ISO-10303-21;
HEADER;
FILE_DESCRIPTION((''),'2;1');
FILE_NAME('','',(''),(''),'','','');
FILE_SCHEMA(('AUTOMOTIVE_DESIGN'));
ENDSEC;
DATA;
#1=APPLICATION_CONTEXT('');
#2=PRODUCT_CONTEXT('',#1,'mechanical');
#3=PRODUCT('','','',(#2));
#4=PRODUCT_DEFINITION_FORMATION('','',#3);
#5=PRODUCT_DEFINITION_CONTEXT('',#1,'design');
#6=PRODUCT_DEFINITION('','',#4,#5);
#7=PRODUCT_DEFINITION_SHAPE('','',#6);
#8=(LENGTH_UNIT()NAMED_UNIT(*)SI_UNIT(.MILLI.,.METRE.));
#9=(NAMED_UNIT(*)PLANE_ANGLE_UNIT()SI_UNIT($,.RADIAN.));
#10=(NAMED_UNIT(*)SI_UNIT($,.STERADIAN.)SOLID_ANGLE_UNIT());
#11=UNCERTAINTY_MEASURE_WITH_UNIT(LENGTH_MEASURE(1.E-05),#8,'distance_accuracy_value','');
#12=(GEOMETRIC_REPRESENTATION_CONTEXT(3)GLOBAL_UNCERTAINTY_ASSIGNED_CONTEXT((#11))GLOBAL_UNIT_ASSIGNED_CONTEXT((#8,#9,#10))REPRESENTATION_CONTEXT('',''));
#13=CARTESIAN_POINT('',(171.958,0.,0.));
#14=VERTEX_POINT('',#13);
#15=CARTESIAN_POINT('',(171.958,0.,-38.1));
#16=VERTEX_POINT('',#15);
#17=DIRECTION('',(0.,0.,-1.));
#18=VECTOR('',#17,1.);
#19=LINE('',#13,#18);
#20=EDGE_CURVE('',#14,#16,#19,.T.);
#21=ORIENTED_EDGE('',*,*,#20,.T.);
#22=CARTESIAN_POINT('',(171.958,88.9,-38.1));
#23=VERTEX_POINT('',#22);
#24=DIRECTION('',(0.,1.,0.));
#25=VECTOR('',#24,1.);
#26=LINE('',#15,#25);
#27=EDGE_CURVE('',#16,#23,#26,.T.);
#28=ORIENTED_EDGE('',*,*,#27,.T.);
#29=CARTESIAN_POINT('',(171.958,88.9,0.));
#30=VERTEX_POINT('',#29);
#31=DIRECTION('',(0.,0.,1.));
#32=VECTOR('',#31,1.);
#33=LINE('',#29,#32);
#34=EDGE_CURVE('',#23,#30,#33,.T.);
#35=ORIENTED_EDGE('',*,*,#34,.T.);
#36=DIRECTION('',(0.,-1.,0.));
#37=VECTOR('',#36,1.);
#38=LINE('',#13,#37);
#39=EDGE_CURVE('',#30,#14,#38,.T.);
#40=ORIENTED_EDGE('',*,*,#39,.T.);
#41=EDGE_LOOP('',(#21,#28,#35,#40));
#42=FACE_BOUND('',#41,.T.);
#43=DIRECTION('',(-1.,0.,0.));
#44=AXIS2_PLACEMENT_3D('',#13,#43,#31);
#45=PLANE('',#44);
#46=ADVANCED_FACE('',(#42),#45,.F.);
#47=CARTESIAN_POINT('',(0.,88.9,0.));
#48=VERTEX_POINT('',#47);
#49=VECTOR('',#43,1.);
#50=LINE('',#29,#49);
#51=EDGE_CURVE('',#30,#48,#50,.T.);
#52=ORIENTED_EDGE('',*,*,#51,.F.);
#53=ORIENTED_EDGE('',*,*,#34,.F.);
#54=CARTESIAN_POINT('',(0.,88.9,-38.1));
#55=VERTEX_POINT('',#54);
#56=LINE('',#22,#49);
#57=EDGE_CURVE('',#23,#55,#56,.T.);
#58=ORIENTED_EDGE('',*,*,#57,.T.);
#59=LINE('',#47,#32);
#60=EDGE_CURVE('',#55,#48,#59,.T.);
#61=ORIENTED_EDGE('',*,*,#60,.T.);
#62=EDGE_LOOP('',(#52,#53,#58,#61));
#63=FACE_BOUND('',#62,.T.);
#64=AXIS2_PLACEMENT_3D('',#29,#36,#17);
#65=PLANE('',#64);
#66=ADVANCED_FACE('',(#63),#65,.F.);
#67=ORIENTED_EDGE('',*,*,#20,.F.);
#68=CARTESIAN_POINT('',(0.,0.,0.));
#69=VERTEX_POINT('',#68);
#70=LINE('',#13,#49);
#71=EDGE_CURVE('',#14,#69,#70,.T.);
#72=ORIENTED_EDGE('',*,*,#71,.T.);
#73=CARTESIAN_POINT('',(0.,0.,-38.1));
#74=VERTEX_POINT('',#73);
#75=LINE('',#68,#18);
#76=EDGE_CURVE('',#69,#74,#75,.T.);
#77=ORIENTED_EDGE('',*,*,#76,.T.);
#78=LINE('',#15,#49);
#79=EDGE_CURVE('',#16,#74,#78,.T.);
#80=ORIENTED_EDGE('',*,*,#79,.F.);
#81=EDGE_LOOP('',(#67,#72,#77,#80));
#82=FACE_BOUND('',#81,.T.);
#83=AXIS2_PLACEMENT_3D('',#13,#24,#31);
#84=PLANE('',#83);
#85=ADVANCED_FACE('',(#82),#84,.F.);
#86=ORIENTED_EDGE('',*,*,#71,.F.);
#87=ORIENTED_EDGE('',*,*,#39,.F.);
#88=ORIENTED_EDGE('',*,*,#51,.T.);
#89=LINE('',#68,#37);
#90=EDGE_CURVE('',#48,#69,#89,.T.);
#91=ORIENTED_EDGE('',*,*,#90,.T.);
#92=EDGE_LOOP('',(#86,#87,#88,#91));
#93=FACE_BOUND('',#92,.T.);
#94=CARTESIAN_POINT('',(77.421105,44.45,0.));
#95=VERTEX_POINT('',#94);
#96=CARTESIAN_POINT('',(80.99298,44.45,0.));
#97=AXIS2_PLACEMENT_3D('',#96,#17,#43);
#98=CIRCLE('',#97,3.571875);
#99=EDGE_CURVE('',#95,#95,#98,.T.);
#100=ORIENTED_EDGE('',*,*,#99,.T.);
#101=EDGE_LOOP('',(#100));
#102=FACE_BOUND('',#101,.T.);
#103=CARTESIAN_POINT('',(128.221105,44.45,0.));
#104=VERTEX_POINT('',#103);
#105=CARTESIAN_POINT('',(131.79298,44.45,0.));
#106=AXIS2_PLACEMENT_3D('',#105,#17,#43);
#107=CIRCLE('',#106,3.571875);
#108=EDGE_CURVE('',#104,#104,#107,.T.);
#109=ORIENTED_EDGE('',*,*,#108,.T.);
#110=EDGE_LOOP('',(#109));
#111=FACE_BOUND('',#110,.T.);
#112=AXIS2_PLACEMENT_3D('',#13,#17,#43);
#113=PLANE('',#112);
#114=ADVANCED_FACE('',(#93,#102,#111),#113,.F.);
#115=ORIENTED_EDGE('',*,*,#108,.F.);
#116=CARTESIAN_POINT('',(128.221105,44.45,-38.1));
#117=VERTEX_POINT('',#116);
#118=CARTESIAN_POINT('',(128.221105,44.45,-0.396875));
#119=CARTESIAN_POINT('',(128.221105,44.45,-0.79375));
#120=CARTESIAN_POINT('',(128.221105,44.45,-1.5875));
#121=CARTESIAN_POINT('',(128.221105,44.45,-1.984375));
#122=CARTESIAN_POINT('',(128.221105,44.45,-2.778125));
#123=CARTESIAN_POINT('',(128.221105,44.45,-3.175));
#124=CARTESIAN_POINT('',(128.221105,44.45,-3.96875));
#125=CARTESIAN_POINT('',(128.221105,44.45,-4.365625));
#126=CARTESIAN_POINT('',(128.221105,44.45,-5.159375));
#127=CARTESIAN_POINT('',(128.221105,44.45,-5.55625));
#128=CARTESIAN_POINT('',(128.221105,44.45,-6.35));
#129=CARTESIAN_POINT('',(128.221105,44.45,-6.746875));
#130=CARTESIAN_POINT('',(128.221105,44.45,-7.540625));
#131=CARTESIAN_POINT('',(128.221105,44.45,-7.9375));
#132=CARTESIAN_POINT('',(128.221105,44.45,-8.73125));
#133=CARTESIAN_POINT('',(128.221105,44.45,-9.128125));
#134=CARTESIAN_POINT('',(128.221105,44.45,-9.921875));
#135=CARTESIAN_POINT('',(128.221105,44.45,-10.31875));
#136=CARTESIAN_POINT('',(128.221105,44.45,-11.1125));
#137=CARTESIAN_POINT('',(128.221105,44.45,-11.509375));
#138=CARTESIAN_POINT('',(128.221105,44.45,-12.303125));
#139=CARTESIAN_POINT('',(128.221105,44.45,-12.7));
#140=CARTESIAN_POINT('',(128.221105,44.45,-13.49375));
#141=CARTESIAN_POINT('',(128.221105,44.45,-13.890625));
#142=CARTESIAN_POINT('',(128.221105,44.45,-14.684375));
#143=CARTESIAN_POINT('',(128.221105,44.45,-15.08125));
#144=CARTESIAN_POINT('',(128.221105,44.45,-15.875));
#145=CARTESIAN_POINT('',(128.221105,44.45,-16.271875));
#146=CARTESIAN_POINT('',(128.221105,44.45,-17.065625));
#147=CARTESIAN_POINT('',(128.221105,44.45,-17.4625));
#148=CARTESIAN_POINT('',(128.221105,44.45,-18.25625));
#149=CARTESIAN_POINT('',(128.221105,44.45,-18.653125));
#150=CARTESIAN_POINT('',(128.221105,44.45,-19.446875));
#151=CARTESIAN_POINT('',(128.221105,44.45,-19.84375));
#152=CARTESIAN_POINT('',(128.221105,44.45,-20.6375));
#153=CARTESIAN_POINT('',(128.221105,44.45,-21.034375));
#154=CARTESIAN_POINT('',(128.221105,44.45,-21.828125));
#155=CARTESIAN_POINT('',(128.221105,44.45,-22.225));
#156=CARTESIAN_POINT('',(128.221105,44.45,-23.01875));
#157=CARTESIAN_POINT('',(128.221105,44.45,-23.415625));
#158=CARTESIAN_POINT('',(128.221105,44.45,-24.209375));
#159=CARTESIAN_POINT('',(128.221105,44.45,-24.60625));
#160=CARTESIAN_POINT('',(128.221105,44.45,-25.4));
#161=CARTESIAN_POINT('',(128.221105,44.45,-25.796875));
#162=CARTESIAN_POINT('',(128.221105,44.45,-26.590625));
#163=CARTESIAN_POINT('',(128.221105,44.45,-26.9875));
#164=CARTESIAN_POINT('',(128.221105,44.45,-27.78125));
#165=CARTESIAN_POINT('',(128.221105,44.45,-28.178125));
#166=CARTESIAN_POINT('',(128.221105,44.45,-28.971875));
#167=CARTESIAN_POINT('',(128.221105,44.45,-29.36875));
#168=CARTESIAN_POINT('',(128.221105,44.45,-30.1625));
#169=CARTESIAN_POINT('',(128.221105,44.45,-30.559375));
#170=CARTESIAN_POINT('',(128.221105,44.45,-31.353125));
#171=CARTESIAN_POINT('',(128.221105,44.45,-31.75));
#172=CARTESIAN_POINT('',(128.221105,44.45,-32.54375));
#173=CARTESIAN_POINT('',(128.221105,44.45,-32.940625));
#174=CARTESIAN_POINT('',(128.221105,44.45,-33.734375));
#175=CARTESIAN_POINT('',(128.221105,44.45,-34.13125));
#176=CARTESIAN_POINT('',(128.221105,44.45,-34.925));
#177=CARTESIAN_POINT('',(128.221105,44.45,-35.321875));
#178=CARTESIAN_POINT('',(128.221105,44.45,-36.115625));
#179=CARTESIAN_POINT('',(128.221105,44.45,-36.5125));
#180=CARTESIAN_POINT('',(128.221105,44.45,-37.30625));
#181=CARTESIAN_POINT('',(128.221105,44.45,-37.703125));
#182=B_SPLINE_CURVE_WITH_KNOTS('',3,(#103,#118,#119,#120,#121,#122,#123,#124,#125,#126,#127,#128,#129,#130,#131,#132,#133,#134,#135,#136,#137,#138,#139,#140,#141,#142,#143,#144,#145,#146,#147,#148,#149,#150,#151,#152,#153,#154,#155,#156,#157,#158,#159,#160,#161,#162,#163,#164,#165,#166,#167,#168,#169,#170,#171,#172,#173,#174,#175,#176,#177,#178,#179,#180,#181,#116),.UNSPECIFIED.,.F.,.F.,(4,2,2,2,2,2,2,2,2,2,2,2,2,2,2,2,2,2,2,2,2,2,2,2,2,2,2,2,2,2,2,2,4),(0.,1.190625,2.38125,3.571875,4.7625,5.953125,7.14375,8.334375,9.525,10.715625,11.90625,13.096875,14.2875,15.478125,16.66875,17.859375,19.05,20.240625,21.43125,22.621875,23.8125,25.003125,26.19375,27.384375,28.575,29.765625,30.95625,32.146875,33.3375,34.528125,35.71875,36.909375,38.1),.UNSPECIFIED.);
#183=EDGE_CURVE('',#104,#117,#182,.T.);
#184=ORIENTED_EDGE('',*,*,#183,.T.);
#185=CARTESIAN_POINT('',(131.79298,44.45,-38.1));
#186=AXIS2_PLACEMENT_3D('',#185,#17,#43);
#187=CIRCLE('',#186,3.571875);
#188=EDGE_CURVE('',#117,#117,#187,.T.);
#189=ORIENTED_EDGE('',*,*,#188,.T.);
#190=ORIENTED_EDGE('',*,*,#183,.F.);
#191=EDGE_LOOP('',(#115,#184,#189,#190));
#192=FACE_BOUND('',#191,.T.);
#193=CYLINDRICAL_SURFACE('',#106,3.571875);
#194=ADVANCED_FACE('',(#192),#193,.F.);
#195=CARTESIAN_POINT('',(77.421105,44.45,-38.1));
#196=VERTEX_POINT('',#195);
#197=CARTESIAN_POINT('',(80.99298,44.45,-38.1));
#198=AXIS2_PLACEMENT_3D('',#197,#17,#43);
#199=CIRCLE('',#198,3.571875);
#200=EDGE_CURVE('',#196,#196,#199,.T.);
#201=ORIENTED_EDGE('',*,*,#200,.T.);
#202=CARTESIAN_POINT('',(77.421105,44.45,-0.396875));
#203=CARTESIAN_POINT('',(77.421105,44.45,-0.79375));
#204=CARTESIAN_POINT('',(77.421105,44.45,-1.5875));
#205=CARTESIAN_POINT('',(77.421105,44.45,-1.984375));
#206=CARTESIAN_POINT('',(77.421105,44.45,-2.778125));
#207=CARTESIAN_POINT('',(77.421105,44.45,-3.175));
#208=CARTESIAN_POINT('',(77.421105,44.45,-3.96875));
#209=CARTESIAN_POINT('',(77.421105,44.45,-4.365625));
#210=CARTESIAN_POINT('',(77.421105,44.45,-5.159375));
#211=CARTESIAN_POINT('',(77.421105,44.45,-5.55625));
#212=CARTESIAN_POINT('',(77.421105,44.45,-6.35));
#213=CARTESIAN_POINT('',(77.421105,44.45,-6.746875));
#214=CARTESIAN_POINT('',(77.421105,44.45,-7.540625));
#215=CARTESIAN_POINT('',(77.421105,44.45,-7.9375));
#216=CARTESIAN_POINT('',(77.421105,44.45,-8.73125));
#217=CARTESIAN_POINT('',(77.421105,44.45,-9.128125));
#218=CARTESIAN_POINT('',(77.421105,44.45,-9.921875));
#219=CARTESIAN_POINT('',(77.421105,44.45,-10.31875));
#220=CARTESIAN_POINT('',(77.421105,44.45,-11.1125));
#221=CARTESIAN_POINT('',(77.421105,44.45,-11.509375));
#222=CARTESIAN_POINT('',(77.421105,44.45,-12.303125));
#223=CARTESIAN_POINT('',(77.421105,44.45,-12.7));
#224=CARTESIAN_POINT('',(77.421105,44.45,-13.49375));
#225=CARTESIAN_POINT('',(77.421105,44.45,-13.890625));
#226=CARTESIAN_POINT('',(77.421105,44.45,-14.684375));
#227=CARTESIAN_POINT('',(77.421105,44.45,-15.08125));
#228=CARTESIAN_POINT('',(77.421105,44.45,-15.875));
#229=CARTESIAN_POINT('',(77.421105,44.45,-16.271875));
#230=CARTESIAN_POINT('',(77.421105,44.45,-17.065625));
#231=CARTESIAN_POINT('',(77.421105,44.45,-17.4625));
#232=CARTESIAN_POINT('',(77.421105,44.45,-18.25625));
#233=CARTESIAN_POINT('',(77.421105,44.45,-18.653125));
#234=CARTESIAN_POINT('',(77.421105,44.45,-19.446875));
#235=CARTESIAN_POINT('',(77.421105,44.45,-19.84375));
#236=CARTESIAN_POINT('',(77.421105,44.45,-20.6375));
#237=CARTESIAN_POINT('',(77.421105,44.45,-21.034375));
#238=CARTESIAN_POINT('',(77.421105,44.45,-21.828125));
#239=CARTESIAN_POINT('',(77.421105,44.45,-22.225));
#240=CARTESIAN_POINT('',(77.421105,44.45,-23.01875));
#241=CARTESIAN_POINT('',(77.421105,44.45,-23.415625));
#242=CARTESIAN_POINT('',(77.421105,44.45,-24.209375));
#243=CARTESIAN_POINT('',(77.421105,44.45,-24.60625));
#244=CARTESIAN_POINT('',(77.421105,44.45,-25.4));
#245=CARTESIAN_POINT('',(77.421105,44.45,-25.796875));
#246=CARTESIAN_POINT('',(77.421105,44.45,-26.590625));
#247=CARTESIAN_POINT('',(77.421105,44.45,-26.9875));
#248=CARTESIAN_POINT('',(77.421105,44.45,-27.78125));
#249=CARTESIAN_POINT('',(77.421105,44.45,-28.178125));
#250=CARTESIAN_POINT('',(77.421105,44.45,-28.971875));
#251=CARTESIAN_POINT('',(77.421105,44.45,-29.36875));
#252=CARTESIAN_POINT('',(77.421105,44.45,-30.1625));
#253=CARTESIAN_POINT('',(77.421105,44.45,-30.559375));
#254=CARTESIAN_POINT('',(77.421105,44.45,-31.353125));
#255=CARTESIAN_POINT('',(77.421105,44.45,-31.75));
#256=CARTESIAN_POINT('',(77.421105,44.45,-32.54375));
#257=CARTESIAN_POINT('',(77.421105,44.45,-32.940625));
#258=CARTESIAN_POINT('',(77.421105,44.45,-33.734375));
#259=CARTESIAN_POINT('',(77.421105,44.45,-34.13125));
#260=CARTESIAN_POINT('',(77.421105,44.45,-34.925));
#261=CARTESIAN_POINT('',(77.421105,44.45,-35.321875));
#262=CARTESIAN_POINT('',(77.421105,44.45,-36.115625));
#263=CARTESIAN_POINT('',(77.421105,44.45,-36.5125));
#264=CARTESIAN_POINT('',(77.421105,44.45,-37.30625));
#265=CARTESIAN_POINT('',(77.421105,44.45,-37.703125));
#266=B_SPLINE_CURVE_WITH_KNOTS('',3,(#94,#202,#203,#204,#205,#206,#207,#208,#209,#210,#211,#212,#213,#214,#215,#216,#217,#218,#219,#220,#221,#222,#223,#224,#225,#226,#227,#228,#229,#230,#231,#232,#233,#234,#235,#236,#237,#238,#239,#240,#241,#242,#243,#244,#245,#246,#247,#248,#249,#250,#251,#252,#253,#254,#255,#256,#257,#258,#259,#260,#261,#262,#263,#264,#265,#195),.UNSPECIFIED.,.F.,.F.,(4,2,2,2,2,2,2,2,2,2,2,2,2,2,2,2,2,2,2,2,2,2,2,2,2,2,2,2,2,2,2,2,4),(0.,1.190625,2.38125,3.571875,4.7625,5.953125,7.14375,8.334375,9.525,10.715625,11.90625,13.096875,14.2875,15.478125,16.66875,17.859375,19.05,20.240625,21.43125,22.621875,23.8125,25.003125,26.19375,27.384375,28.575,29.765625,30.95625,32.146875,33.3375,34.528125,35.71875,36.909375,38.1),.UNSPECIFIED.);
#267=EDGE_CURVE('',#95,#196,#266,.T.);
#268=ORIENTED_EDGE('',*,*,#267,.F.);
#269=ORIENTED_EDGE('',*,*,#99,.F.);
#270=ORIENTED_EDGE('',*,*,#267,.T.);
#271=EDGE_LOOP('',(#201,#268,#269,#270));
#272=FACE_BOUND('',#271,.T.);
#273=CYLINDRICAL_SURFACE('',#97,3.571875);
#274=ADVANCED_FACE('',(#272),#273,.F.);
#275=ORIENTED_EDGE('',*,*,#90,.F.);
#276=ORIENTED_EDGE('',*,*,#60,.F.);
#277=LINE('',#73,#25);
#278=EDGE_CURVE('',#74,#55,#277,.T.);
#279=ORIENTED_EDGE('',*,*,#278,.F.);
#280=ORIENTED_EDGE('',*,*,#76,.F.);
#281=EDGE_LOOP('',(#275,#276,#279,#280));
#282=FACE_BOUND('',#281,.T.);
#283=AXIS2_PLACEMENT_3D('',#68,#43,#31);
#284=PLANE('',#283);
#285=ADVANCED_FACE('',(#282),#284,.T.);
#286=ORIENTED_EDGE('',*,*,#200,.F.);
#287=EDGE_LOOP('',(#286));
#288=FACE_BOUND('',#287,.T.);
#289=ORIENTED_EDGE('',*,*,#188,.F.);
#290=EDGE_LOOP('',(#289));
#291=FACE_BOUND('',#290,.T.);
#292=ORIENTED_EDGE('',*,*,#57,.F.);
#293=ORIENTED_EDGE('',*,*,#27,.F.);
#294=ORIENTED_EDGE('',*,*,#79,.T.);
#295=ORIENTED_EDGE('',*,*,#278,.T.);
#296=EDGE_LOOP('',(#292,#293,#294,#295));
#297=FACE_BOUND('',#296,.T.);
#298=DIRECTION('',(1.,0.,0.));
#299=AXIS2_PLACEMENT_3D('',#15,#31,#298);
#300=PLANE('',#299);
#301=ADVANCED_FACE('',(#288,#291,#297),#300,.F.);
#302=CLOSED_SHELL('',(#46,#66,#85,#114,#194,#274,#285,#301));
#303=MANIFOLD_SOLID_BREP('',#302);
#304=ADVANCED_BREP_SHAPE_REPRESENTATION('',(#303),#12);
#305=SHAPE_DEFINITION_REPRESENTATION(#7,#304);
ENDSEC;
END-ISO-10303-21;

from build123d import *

# Parameters (mm, degrees)
SKETCH1_W           = 38.1
SKETCH1_H           = 88.9
BOSS_EXTRUDE1_DEPTH = 171.958
SKETCH3_R           = 3.571875
CUT_EXTRUDE1_DEPTH  = 198.292609502


with BuildPart() as part:
    # Sketch1 → Boss-Extrude1 (new body)
    with BuildSketch(Plane(origin=(0, 0, 0), x_dir=(0, 0, -1), z_dir=(1, 0, 0))):
        with Locations((19.05, 44.45)):
            Rectangle(SKETCH1_W, SKETCH1_H)
    extrude(amount=BOSS_EXTRUDE1_DEPTH)

    # Sketch3 → Cut-Extrude1 (cut, through all)
    with BuildSketch(Plane(origin=(0, 0, -38.1), x_dir=(-1, 0, 0), z_dir=(0, 0, -1))):
        with Locations((-131.79298, 44.45)):
            Circle(SKETCH3_R)
        with Locations((-80.99298, 44.45)):
            Circle(SKETCH3_R)
    extrude(amount=-CUT_EXTRUDE1_DEPTH, mode=Mode.SUBTRACT)


solid = part.part
